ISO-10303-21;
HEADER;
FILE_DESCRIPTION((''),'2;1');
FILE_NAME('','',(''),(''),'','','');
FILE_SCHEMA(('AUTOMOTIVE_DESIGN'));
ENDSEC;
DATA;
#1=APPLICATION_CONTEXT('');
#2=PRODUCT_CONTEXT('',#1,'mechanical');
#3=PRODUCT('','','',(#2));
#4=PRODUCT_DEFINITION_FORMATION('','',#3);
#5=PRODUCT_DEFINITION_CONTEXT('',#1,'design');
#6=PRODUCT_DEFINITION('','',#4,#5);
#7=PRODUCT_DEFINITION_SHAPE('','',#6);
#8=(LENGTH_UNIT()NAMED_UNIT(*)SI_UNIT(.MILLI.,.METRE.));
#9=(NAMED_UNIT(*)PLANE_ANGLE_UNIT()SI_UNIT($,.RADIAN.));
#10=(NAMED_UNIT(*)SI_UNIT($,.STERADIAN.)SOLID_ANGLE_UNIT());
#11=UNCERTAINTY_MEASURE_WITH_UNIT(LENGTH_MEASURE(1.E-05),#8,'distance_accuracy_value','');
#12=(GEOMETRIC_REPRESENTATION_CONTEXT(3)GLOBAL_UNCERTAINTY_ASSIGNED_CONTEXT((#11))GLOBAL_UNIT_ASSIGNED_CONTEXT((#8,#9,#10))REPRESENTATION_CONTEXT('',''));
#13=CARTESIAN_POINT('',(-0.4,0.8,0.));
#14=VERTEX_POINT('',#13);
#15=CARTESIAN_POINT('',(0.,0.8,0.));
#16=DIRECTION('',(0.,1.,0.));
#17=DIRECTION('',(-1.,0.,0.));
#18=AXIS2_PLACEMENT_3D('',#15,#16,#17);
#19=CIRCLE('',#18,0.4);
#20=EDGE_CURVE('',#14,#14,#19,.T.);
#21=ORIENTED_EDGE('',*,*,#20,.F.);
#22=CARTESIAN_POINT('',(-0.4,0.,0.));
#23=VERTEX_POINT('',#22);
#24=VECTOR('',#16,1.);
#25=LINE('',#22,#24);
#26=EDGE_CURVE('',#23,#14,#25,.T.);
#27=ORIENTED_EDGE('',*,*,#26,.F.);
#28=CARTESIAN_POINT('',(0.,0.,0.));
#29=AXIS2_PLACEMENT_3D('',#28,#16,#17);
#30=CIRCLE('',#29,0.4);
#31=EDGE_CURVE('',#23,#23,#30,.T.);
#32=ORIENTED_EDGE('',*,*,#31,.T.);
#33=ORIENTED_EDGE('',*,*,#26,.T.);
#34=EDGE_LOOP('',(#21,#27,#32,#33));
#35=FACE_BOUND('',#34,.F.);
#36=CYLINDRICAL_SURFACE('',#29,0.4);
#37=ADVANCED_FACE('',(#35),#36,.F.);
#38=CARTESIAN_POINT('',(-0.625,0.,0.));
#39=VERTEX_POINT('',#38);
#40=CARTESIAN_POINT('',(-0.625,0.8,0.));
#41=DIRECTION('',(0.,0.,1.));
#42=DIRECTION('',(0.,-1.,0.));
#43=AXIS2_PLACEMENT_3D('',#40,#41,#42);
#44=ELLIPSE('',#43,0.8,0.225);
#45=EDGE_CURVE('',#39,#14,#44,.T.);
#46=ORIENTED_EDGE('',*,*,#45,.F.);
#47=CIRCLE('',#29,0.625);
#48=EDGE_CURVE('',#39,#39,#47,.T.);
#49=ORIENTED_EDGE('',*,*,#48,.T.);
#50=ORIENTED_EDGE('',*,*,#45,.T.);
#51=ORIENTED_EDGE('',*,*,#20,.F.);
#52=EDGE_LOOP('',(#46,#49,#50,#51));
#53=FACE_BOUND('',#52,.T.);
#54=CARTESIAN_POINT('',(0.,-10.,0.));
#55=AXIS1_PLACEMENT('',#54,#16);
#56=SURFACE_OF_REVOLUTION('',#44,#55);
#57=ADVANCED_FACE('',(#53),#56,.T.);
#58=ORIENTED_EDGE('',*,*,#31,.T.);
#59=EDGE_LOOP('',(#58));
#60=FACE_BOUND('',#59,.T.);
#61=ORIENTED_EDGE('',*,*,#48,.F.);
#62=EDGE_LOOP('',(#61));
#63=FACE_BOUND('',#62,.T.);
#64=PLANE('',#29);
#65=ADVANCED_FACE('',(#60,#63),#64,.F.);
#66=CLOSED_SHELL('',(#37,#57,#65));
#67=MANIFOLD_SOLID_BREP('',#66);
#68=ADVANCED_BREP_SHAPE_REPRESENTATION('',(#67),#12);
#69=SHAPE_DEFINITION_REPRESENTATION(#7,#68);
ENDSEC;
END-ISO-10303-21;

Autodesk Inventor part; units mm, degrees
ref_plane "YZ Plane" through (0, 0, 0) normal (1, 0, 0) x (0, 1, 0)
ref_plane "XZ Plane" through (0, 0, 0) normal (0, 1, 0) x (-1, 0, 0)
ref_plane "XY Plane" through (0, 0, 0) normal (0, 0, 1) x (1, 0, 0)
sketch "Sketch1" plane through (0, 0, 0) normal (0, 0, 1) x (1, 0, 0)
  line L0 (-0.4, 0) -> (-0.4, 0.8)
  line L1 (-0.4, 0) -> (-0.625, 0)
  ellipse E0 centre (-0.625, 0.8) end of major axis (-0.625, 0) minor radius 0.225
  line L2 (0, -0.32) -> (0, 1.92) projected
  point P0 (0, 0)
  dimension "d0" = 0.625
  dimension "d1" = 0.4
  dimension "d2" = 0.8
revolve "Revolution1" add sketch "Sketch1" angle 360 about axis through (0, -10, 0) along (0, 1, 0) contours L1 E0 L0
properties part number "TorsOsc-202511-rod-coupling-solder" material "Titanium"
